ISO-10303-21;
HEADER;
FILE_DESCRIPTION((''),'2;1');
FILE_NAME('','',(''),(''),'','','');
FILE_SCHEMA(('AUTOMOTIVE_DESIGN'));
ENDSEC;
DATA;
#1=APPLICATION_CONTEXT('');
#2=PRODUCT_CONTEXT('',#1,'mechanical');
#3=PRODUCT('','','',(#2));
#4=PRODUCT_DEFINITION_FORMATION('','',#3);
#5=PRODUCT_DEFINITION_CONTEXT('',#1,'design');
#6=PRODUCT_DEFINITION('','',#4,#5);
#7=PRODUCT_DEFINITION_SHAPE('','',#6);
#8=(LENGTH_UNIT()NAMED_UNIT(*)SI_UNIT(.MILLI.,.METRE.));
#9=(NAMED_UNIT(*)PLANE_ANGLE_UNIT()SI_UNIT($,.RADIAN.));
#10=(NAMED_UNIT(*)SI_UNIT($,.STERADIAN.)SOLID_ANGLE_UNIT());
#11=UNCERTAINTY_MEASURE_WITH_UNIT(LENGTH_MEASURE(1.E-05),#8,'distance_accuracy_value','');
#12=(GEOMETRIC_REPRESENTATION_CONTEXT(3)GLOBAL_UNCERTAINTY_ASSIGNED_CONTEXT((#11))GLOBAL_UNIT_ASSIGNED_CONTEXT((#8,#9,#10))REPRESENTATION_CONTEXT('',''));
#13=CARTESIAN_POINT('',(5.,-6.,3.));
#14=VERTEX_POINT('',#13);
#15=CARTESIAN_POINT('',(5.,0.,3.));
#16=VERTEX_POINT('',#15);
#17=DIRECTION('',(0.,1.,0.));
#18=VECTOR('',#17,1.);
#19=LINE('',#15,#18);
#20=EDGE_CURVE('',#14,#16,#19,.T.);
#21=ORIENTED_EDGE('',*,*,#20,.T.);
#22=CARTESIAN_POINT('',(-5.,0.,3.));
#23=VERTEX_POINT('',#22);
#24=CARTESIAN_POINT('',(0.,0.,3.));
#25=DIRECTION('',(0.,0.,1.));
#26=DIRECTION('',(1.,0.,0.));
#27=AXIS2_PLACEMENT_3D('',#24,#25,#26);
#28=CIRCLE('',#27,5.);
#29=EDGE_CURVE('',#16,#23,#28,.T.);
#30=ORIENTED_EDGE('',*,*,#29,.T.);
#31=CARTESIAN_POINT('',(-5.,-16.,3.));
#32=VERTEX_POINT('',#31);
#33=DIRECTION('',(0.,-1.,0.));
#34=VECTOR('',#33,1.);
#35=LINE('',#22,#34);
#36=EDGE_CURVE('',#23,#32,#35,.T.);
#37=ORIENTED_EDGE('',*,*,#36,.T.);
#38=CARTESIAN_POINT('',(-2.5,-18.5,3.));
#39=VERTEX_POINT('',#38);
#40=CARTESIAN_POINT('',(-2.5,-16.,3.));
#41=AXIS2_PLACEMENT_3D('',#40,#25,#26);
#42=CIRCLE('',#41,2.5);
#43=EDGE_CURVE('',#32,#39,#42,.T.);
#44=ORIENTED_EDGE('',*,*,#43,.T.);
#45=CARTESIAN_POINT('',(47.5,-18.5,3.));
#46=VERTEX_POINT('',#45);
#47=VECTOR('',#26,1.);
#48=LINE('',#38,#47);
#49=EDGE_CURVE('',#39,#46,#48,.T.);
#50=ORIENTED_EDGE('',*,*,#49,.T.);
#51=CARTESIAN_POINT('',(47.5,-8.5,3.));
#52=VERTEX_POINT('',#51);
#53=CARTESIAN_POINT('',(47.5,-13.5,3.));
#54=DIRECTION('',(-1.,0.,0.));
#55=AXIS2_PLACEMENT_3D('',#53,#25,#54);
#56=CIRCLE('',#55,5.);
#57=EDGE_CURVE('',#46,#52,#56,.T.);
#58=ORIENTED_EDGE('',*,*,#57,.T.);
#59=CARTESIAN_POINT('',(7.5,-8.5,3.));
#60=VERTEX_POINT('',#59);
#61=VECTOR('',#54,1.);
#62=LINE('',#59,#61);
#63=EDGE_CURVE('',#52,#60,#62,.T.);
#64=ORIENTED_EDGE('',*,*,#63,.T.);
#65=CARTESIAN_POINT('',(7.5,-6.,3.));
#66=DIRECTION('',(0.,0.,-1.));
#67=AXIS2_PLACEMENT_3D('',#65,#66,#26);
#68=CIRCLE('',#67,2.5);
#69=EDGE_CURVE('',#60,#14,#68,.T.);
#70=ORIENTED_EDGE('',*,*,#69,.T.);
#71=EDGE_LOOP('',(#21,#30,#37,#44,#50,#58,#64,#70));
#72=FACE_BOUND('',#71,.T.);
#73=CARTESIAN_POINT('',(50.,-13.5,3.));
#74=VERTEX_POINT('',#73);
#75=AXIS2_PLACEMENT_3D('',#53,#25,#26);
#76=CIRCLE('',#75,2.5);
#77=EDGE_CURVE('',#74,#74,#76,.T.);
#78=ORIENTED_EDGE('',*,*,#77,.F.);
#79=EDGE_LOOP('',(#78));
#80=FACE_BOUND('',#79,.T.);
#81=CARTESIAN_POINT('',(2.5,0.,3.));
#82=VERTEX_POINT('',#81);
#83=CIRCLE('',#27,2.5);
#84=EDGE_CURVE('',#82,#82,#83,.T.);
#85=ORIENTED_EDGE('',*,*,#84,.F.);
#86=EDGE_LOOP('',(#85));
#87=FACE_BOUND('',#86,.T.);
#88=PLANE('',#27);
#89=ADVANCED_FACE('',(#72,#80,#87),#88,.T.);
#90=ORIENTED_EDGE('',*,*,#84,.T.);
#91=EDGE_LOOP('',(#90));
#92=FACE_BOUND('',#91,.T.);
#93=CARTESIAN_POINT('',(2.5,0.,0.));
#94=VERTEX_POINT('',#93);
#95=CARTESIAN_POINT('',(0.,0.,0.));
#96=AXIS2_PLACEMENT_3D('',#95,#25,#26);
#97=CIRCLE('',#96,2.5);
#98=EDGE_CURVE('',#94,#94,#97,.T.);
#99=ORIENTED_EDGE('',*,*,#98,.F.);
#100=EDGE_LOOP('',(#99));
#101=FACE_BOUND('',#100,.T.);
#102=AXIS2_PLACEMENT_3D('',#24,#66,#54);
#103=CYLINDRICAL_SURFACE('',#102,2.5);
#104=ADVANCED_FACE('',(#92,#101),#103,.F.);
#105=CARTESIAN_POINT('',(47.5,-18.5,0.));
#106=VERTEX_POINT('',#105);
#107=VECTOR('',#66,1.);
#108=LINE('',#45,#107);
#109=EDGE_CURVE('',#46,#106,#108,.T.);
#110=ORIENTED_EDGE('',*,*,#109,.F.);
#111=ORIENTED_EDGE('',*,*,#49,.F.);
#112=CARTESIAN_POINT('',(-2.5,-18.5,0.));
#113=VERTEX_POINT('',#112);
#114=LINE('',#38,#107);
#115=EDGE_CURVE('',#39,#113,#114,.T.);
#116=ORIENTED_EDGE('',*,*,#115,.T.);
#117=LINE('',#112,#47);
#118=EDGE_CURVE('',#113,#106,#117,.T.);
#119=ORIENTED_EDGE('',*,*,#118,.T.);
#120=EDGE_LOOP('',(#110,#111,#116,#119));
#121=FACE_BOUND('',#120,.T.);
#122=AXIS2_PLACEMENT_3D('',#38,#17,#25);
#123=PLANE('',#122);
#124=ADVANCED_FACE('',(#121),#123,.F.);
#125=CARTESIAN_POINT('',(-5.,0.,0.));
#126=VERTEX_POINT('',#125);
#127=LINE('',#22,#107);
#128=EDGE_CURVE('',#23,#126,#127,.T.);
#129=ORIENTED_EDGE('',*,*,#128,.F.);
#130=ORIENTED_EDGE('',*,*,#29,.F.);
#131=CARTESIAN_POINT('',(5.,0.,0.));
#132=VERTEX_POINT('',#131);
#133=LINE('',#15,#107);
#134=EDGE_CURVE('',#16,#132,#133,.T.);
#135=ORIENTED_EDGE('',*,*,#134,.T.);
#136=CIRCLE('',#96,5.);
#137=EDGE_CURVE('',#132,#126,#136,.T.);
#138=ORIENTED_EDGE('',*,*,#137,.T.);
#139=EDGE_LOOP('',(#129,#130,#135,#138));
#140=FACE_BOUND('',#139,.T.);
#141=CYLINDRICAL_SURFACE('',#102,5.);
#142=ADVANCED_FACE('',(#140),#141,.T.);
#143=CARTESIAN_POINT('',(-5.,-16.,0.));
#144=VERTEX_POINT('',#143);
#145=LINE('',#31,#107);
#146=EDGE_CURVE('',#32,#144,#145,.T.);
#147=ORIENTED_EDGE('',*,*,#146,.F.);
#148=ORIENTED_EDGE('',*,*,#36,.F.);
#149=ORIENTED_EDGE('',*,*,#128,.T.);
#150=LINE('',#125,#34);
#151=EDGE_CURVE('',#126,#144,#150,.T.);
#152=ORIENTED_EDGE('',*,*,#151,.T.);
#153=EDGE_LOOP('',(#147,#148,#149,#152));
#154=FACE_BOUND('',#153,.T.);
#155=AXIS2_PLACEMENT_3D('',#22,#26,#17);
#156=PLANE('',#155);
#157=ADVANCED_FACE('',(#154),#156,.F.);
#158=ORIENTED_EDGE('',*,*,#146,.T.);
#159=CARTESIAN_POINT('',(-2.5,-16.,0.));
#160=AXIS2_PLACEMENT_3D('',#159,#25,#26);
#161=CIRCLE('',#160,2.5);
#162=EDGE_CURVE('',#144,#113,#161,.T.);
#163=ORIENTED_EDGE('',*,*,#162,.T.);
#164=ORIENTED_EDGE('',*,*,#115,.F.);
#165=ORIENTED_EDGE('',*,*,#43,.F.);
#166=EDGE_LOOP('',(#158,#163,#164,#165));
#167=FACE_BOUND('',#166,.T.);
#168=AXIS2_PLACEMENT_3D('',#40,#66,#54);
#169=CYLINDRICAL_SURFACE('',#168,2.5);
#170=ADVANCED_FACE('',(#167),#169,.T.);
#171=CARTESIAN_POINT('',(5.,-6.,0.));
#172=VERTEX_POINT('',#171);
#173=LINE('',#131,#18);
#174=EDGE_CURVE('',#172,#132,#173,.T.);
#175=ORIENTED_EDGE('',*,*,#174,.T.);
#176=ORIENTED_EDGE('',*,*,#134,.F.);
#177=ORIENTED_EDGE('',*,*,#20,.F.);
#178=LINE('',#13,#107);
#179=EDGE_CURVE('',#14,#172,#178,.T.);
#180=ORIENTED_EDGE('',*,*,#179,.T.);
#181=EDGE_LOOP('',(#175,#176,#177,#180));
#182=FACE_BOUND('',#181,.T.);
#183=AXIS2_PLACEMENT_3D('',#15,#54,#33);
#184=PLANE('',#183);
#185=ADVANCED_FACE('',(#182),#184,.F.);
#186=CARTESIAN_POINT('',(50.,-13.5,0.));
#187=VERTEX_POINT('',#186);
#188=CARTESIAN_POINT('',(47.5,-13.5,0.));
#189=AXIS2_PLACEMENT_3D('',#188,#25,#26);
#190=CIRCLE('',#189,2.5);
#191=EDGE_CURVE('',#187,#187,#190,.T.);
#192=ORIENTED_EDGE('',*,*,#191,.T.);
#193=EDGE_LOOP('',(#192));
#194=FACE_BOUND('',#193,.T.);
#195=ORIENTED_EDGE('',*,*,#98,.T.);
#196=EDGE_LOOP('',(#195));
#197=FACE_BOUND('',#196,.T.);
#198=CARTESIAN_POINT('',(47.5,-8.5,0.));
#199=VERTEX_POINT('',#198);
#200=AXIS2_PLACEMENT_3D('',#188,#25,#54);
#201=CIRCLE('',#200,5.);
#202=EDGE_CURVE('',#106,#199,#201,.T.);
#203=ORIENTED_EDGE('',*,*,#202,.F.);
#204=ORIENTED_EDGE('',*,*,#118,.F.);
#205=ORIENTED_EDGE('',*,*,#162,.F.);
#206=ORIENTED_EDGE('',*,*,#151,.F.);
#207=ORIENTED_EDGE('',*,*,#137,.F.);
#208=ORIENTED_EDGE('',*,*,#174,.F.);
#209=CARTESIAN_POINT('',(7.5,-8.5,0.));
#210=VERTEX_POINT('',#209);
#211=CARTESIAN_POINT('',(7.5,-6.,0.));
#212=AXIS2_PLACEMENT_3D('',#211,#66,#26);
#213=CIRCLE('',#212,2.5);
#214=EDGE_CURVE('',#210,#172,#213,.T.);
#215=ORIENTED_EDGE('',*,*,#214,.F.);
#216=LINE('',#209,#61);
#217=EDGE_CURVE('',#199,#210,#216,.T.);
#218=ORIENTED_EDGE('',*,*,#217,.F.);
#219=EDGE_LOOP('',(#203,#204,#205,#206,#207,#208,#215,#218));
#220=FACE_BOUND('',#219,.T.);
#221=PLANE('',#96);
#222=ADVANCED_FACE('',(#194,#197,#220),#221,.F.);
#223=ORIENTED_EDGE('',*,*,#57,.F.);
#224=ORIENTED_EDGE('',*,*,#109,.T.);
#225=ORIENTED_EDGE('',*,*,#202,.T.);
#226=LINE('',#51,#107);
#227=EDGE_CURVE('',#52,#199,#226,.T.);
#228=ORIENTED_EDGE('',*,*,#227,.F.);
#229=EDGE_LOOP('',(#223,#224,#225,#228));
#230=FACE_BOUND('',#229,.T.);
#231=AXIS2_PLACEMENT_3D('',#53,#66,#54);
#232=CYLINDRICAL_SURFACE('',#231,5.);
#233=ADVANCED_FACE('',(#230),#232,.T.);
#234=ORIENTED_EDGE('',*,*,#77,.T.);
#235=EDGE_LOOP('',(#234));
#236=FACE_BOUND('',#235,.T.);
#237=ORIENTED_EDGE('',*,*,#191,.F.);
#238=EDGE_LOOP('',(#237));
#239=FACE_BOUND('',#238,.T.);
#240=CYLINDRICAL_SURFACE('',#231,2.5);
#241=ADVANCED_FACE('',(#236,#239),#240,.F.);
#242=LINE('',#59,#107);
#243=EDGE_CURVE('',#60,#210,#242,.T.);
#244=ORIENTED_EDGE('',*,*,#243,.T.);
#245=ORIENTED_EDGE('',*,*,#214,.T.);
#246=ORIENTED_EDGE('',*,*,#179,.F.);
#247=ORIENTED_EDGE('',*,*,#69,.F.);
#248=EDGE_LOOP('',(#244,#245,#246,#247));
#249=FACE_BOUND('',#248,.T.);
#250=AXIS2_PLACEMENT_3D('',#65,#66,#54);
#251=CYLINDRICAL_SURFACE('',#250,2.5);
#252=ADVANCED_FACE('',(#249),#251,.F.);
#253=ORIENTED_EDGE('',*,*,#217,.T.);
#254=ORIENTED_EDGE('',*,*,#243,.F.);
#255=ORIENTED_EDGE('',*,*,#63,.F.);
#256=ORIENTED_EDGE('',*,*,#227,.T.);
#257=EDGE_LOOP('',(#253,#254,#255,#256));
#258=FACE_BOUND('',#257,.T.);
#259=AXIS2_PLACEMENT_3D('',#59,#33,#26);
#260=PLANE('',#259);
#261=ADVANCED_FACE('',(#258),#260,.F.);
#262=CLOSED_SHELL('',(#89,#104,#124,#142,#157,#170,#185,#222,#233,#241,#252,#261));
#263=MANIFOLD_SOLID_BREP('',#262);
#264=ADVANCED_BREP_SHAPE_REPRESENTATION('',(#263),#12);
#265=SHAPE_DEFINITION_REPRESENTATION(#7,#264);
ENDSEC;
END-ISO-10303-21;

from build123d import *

# Parameters (mm, degrees)
SKETCH_2_R      = 2.5
EXTRUDE_1_DEPTH = 3


with BuildPart() as part:
    # Эскиз2 → Вытянуть1 (new body)
    with BuildSketch(Plane.XY):
        with BuildLine():
            Line((5, 0), (5, -6))
            ThreePointArc((5, -6), (5.732233047, -7.767766953), (7.5, -8.5))
            Line((7.5, -8.5), (47.5, -8.5))
            ThreePointArc((47.5, -8.5), (52.5, -13.5), (47.5, -18.5))
            Line((47.5, -18.5), (-2.5, -18.5))
            ThreePointArc((-2.5, -18.5), (-4.267766953, -17.767766953), (-5, -16))
            Line((-5, -16), (-5, 0))
            ThreePointArc((-5, 0), (0, 5), (5, 0))
        make_face()
        Circle(SKETCH_2_R, mode=Mode.SUBTRACT)
        with Locations((47.5, -13.5)):
            Circle(SKETCH_2_R, mode=Mode.SUBTRACT)
    extrude(amount=EXTRUDE_1_DEPTH)


solid = part.part
